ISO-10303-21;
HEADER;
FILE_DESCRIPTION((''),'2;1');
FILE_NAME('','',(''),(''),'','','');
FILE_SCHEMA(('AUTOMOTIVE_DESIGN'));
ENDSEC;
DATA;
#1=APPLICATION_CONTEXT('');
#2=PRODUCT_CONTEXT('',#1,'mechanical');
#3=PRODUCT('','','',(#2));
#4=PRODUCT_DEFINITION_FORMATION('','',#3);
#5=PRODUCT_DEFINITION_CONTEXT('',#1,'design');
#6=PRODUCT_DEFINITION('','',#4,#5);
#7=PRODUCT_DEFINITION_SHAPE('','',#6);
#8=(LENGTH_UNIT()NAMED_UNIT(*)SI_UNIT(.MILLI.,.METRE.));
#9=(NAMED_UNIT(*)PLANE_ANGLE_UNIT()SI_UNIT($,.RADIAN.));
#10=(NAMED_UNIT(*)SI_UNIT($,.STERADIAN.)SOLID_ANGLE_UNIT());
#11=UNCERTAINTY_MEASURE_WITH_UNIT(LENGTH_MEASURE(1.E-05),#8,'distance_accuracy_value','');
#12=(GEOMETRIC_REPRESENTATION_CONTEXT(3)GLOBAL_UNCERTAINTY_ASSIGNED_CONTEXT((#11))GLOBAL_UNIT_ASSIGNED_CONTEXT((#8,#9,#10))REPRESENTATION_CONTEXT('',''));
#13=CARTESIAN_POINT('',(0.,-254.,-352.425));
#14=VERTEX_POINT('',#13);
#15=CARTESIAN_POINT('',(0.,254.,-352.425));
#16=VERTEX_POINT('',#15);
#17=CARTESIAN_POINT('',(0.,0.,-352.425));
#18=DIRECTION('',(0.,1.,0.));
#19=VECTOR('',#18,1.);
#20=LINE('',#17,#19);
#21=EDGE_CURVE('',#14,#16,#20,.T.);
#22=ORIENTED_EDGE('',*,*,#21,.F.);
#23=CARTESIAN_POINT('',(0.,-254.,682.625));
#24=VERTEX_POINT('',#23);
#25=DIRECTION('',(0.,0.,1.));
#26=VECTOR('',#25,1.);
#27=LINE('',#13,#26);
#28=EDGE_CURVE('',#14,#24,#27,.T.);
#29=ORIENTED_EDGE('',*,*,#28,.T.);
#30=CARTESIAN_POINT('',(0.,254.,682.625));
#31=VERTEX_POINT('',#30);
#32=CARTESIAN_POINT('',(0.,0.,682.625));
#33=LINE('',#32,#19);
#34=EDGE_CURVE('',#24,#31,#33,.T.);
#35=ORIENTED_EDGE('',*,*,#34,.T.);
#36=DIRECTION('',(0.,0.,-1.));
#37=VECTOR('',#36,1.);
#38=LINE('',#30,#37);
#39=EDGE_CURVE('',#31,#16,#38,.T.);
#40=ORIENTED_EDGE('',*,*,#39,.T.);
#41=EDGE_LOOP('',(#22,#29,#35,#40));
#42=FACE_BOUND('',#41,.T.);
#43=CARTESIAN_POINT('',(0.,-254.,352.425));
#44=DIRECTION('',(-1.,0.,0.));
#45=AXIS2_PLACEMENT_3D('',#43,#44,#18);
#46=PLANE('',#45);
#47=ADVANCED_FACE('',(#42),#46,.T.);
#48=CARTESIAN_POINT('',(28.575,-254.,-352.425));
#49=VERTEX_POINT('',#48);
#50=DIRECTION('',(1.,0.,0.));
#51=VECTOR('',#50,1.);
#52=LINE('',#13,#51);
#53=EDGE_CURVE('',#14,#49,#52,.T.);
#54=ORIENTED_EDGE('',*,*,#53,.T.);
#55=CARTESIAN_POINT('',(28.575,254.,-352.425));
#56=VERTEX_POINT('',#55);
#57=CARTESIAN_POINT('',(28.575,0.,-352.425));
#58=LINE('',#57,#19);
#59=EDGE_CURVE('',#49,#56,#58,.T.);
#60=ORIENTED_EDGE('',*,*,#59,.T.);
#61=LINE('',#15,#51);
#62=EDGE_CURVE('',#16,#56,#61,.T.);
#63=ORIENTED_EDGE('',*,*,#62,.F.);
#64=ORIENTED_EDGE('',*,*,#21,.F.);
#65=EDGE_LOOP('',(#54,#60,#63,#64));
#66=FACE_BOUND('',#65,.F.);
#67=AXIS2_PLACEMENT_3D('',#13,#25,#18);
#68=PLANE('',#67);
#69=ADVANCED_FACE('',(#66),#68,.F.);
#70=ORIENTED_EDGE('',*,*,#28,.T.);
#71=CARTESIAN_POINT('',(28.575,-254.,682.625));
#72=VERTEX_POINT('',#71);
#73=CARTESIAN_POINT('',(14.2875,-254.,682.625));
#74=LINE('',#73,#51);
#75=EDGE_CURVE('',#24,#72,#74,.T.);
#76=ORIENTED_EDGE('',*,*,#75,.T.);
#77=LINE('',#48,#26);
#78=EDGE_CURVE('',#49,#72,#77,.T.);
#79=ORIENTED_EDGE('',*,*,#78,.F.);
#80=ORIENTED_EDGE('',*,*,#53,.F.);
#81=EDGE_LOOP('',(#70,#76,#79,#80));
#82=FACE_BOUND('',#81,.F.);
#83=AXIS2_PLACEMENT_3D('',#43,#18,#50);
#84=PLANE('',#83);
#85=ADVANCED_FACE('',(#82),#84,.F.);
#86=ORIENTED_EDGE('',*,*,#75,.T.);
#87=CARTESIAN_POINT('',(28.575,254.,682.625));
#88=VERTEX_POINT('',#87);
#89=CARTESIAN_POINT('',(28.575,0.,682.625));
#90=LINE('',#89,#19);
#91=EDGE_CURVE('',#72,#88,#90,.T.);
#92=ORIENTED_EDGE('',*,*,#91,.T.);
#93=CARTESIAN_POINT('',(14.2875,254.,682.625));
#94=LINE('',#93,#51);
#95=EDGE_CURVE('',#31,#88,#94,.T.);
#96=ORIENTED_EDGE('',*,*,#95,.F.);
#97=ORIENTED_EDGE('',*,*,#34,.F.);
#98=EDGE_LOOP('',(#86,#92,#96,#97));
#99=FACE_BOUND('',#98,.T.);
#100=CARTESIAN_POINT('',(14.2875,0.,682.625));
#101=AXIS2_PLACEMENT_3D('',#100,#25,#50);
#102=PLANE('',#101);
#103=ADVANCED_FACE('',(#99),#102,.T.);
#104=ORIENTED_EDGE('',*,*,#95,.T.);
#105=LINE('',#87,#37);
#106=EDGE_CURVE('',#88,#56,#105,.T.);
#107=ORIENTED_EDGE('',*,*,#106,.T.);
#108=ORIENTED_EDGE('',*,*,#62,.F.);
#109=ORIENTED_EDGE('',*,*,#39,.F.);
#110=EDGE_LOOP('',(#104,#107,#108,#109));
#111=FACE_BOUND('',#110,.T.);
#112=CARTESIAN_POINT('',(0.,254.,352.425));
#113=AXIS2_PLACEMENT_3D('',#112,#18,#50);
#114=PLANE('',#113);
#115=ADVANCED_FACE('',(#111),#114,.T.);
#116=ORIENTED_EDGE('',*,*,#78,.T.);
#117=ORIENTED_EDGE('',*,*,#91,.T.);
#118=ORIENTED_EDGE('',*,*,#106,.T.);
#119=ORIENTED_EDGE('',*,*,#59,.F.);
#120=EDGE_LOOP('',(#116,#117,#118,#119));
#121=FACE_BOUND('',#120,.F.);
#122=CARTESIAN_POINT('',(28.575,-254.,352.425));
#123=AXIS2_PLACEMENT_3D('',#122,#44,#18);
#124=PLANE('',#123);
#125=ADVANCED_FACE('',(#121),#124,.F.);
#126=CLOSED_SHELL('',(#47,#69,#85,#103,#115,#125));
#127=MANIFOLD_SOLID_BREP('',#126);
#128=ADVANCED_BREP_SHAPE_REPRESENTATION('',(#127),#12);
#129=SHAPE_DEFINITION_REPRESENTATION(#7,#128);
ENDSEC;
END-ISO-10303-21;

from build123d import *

# Parameters (mm, degrees)
F0_W      = 508
F0_H      = 704.85
F1_DEPTH  = 28.575
F1_FACE_W = 28.575
F1_FACE_H = 508
F2_DEPTH  = 330.2


with BuildPart() as f1:
    # F0 (on Right) → F1 (new body)
    with BuildSketch(Plane.YZ):
        Rectangle(F0_W, F0_H)
    extrude(amount=F1_DEPTH)

    # F1_face (on face) → F2 (join)
    with BuildSketch(Plane(origin=(14.2875, 0, 352.425), x_dir=(1, 0, 0), z_dir=(0, 0, 1))):
        Rectangle(F1_FACE_W, F1_FACE_H)
    extrude(amount=F2_DEPTH)


solid = f1.part
